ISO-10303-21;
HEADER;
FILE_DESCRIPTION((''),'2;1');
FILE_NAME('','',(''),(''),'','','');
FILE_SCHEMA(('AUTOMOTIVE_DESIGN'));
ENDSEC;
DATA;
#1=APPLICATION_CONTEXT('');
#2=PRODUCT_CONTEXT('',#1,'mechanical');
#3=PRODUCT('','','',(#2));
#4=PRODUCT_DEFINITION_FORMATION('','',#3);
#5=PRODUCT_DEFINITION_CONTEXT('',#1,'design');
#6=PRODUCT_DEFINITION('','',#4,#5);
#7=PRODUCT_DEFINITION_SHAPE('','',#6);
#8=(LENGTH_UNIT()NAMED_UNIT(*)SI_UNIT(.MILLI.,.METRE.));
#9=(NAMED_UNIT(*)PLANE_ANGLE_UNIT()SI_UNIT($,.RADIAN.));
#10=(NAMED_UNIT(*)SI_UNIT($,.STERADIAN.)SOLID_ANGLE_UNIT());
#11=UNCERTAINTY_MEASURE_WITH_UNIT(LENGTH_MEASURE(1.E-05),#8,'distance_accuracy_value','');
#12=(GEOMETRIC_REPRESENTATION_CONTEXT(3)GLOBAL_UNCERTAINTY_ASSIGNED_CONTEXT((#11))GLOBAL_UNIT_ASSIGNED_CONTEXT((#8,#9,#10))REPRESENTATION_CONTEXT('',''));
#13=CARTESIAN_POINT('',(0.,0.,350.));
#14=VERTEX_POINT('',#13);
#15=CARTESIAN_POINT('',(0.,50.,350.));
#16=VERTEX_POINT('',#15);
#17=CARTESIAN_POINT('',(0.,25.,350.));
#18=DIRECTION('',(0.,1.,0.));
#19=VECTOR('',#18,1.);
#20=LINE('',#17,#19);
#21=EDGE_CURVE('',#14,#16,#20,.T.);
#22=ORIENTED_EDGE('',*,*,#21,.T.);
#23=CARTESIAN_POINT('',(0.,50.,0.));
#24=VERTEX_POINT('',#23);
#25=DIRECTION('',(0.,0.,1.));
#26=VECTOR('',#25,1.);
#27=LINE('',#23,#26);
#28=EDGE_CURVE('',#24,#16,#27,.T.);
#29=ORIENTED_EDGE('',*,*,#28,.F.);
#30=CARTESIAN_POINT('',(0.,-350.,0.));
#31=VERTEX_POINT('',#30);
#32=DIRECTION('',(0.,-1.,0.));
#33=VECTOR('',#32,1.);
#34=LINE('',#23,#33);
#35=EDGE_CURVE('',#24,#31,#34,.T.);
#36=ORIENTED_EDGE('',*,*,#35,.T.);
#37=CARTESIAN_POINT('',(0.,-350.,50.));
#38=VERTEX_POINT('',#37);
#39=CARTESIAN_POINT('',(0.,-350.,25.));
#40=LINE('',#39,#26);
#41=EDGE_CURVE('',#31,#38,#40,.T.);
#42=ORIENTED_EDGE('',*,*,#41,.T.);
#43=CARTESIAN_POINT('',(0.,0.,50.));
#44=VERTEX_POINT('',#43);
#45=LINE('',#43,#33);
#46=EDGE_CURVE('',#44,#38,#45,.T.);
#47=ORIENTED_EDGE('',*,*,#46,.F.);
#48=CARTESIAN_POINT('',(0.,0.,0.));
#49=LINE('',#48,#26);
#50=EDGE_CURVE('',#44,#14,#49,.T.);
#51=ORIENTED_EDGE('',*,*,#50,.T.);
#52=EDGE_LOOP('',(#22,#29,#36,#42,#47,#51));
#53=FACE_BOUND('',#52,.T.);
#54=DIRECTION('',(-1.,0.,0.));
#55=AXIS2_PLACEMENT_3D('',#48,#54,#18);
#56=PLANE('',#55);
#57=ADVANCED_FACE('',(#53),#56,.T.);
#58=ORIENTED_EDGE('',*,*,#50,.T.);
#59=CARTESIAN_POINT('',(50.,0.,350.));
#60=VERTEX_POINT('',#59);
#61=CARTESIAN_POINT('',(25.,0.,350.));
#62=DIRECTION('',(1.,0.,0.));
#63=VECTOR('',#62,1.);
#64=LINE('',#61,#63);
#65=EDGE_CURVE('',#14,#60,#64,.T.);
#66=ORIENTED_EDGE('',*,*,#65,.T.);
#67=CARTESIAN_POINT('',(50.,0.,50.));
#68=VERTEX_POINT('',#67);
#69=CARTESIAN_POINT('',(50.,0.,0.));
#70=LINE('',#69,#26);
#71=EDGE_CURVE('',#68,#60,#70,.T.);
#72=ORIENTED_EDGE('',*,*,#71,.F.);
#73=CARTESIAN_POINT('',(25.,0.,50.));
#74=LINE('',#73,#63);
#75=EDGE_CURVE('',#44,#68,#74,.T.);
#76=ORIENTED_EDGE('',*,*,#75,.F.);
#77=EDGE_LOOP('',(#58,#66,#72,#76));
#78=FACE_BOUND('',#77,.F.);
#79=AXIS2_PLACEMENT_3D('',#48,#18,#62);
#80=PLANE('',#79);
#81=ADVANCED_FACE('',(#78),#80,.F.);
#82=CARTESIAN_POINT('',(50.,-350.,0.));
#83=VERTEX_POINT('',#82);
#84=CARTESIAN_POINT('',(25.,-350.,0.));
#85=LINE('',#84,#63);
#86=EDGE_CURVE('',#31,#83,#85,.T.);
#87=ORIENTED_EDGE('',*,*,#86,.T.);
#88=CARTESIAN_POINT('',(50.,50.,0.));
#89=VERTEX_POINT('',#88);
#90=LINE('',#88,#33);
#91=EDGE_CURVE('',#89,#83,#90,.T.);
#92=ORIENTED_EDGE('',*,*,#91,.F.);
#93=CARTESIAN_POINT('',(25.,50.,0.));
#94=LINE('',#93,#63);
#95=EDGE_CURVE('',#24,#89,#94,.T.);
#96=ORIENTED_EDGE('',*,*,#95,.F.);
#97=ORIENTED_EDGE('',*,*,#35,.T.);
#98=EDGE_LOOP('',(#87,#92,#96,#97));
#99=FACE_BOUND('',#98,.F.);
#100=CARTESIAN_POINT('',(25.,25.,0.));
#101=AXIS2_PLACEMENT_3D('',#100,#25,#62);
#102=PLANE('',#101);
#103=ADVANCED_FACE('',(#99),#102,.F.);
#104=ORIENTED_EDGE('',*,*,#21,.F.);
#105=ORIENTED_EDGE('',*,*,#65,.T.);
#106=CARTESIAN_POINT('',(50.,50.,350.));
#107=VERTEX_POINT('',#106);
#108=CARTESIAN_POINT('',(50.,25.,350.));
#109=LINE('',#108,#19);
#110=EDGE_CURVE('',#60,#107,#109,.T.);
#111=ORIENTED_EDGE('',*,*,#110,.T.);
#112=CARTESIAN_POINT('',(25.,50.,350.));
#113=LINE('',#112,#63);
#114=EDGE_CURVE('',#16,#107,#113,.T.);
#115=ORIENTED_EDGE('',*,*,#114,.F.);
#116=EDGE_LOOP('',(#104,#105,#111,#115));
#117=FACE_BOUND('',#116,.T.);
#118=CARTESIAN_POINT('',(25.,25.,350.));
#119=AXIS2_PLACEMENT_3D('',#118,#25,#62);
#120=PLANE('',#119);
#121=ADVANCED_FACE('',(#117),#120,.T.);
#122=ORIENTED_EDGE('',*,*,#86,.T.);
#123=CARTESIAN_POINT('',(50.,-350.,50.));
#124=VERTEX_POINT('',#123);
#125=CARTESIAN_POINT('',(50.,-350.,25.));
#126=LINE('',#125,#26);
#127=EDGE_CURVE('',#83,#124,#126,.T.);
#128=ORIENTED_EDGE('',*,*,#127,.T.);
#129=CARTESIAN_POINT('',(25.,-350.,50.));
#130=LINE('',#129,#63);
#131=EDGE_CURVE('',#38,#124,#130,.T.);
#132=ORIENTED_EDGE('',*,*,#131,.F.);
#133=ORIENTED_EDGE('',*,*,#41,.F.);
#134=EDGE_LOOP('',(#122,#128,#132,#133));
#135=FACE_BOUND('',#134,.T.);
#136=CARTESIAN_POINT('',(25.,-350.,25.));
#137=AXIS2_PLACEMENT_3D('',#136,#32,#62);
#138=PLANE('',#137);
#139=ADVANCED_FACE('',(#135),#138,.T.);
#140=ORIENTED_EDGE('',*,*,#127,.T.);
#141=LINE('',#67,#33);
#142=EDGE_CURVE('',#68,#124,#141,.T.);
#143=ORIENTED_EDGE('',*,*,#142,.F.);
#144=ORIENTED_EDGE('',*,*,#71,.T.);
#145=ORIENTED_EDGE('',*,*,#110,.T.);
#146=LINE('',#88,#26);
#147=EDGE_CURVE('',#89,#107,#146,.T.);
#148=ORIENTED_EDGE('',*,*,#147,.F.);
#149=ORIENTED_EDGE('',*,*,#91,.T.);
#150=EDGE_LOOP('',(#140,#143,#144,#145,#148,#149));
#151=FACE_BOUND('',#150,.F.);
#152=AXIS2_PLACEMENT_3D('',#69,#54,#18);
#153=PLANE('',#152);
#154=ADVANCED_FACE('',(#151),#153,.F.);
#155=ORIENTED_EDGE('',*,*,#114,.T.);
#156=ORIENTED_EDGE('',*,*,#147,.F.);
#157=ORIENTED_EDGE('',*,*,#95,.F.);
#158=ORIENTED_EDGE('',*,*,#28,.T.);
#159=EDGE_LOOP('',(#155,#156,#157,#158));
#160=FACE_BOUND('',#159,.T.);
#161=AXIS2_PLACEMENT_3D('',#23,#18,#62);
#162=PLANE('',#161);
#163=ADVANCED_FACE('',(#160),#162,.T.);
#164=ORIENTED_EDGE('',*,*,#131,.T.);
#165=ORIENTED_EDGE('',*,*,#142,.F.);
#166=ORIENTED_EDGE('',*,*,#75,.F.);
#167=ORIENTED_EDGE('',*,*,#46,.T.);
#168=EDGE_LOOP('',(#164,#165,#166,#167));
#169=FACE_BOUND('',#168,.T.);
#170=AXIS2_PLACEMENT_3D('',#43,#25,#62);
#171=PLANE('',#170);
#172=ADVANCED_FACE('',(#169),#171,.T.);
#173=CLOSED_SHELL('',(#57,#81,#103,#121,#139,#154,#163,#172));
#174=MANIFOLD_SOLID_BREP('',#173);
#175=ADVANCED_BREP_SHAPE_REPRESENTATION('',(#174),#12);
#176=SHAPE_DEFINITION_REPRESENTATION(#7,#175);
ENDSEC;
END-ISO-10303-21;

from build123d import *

# Parameters (mm, degrees)
F0_W     = 50
F0_H     = 50
F1_DEPTH = 350
F2_W     = 50
F2_H     = 50
F3_DEPTH = 350


with BuildPart() as f1:
    # F0 (on Front) → F1 (new body)
    with BuildSketch(Plane.XZ):
        with Locations((25, 25)):
            Rectangle(F0_W, F0_H)
    extrude(amount=F1_DEPTH)

    # F2 (on Top) → F3 (join)
    with BuildSketch(Plane.XY):
        with Locations((25, 25)):
            Rectangle(F2_W, F2_H)
    extrude(amount=F3_DEPTH)


solid = f1.part
